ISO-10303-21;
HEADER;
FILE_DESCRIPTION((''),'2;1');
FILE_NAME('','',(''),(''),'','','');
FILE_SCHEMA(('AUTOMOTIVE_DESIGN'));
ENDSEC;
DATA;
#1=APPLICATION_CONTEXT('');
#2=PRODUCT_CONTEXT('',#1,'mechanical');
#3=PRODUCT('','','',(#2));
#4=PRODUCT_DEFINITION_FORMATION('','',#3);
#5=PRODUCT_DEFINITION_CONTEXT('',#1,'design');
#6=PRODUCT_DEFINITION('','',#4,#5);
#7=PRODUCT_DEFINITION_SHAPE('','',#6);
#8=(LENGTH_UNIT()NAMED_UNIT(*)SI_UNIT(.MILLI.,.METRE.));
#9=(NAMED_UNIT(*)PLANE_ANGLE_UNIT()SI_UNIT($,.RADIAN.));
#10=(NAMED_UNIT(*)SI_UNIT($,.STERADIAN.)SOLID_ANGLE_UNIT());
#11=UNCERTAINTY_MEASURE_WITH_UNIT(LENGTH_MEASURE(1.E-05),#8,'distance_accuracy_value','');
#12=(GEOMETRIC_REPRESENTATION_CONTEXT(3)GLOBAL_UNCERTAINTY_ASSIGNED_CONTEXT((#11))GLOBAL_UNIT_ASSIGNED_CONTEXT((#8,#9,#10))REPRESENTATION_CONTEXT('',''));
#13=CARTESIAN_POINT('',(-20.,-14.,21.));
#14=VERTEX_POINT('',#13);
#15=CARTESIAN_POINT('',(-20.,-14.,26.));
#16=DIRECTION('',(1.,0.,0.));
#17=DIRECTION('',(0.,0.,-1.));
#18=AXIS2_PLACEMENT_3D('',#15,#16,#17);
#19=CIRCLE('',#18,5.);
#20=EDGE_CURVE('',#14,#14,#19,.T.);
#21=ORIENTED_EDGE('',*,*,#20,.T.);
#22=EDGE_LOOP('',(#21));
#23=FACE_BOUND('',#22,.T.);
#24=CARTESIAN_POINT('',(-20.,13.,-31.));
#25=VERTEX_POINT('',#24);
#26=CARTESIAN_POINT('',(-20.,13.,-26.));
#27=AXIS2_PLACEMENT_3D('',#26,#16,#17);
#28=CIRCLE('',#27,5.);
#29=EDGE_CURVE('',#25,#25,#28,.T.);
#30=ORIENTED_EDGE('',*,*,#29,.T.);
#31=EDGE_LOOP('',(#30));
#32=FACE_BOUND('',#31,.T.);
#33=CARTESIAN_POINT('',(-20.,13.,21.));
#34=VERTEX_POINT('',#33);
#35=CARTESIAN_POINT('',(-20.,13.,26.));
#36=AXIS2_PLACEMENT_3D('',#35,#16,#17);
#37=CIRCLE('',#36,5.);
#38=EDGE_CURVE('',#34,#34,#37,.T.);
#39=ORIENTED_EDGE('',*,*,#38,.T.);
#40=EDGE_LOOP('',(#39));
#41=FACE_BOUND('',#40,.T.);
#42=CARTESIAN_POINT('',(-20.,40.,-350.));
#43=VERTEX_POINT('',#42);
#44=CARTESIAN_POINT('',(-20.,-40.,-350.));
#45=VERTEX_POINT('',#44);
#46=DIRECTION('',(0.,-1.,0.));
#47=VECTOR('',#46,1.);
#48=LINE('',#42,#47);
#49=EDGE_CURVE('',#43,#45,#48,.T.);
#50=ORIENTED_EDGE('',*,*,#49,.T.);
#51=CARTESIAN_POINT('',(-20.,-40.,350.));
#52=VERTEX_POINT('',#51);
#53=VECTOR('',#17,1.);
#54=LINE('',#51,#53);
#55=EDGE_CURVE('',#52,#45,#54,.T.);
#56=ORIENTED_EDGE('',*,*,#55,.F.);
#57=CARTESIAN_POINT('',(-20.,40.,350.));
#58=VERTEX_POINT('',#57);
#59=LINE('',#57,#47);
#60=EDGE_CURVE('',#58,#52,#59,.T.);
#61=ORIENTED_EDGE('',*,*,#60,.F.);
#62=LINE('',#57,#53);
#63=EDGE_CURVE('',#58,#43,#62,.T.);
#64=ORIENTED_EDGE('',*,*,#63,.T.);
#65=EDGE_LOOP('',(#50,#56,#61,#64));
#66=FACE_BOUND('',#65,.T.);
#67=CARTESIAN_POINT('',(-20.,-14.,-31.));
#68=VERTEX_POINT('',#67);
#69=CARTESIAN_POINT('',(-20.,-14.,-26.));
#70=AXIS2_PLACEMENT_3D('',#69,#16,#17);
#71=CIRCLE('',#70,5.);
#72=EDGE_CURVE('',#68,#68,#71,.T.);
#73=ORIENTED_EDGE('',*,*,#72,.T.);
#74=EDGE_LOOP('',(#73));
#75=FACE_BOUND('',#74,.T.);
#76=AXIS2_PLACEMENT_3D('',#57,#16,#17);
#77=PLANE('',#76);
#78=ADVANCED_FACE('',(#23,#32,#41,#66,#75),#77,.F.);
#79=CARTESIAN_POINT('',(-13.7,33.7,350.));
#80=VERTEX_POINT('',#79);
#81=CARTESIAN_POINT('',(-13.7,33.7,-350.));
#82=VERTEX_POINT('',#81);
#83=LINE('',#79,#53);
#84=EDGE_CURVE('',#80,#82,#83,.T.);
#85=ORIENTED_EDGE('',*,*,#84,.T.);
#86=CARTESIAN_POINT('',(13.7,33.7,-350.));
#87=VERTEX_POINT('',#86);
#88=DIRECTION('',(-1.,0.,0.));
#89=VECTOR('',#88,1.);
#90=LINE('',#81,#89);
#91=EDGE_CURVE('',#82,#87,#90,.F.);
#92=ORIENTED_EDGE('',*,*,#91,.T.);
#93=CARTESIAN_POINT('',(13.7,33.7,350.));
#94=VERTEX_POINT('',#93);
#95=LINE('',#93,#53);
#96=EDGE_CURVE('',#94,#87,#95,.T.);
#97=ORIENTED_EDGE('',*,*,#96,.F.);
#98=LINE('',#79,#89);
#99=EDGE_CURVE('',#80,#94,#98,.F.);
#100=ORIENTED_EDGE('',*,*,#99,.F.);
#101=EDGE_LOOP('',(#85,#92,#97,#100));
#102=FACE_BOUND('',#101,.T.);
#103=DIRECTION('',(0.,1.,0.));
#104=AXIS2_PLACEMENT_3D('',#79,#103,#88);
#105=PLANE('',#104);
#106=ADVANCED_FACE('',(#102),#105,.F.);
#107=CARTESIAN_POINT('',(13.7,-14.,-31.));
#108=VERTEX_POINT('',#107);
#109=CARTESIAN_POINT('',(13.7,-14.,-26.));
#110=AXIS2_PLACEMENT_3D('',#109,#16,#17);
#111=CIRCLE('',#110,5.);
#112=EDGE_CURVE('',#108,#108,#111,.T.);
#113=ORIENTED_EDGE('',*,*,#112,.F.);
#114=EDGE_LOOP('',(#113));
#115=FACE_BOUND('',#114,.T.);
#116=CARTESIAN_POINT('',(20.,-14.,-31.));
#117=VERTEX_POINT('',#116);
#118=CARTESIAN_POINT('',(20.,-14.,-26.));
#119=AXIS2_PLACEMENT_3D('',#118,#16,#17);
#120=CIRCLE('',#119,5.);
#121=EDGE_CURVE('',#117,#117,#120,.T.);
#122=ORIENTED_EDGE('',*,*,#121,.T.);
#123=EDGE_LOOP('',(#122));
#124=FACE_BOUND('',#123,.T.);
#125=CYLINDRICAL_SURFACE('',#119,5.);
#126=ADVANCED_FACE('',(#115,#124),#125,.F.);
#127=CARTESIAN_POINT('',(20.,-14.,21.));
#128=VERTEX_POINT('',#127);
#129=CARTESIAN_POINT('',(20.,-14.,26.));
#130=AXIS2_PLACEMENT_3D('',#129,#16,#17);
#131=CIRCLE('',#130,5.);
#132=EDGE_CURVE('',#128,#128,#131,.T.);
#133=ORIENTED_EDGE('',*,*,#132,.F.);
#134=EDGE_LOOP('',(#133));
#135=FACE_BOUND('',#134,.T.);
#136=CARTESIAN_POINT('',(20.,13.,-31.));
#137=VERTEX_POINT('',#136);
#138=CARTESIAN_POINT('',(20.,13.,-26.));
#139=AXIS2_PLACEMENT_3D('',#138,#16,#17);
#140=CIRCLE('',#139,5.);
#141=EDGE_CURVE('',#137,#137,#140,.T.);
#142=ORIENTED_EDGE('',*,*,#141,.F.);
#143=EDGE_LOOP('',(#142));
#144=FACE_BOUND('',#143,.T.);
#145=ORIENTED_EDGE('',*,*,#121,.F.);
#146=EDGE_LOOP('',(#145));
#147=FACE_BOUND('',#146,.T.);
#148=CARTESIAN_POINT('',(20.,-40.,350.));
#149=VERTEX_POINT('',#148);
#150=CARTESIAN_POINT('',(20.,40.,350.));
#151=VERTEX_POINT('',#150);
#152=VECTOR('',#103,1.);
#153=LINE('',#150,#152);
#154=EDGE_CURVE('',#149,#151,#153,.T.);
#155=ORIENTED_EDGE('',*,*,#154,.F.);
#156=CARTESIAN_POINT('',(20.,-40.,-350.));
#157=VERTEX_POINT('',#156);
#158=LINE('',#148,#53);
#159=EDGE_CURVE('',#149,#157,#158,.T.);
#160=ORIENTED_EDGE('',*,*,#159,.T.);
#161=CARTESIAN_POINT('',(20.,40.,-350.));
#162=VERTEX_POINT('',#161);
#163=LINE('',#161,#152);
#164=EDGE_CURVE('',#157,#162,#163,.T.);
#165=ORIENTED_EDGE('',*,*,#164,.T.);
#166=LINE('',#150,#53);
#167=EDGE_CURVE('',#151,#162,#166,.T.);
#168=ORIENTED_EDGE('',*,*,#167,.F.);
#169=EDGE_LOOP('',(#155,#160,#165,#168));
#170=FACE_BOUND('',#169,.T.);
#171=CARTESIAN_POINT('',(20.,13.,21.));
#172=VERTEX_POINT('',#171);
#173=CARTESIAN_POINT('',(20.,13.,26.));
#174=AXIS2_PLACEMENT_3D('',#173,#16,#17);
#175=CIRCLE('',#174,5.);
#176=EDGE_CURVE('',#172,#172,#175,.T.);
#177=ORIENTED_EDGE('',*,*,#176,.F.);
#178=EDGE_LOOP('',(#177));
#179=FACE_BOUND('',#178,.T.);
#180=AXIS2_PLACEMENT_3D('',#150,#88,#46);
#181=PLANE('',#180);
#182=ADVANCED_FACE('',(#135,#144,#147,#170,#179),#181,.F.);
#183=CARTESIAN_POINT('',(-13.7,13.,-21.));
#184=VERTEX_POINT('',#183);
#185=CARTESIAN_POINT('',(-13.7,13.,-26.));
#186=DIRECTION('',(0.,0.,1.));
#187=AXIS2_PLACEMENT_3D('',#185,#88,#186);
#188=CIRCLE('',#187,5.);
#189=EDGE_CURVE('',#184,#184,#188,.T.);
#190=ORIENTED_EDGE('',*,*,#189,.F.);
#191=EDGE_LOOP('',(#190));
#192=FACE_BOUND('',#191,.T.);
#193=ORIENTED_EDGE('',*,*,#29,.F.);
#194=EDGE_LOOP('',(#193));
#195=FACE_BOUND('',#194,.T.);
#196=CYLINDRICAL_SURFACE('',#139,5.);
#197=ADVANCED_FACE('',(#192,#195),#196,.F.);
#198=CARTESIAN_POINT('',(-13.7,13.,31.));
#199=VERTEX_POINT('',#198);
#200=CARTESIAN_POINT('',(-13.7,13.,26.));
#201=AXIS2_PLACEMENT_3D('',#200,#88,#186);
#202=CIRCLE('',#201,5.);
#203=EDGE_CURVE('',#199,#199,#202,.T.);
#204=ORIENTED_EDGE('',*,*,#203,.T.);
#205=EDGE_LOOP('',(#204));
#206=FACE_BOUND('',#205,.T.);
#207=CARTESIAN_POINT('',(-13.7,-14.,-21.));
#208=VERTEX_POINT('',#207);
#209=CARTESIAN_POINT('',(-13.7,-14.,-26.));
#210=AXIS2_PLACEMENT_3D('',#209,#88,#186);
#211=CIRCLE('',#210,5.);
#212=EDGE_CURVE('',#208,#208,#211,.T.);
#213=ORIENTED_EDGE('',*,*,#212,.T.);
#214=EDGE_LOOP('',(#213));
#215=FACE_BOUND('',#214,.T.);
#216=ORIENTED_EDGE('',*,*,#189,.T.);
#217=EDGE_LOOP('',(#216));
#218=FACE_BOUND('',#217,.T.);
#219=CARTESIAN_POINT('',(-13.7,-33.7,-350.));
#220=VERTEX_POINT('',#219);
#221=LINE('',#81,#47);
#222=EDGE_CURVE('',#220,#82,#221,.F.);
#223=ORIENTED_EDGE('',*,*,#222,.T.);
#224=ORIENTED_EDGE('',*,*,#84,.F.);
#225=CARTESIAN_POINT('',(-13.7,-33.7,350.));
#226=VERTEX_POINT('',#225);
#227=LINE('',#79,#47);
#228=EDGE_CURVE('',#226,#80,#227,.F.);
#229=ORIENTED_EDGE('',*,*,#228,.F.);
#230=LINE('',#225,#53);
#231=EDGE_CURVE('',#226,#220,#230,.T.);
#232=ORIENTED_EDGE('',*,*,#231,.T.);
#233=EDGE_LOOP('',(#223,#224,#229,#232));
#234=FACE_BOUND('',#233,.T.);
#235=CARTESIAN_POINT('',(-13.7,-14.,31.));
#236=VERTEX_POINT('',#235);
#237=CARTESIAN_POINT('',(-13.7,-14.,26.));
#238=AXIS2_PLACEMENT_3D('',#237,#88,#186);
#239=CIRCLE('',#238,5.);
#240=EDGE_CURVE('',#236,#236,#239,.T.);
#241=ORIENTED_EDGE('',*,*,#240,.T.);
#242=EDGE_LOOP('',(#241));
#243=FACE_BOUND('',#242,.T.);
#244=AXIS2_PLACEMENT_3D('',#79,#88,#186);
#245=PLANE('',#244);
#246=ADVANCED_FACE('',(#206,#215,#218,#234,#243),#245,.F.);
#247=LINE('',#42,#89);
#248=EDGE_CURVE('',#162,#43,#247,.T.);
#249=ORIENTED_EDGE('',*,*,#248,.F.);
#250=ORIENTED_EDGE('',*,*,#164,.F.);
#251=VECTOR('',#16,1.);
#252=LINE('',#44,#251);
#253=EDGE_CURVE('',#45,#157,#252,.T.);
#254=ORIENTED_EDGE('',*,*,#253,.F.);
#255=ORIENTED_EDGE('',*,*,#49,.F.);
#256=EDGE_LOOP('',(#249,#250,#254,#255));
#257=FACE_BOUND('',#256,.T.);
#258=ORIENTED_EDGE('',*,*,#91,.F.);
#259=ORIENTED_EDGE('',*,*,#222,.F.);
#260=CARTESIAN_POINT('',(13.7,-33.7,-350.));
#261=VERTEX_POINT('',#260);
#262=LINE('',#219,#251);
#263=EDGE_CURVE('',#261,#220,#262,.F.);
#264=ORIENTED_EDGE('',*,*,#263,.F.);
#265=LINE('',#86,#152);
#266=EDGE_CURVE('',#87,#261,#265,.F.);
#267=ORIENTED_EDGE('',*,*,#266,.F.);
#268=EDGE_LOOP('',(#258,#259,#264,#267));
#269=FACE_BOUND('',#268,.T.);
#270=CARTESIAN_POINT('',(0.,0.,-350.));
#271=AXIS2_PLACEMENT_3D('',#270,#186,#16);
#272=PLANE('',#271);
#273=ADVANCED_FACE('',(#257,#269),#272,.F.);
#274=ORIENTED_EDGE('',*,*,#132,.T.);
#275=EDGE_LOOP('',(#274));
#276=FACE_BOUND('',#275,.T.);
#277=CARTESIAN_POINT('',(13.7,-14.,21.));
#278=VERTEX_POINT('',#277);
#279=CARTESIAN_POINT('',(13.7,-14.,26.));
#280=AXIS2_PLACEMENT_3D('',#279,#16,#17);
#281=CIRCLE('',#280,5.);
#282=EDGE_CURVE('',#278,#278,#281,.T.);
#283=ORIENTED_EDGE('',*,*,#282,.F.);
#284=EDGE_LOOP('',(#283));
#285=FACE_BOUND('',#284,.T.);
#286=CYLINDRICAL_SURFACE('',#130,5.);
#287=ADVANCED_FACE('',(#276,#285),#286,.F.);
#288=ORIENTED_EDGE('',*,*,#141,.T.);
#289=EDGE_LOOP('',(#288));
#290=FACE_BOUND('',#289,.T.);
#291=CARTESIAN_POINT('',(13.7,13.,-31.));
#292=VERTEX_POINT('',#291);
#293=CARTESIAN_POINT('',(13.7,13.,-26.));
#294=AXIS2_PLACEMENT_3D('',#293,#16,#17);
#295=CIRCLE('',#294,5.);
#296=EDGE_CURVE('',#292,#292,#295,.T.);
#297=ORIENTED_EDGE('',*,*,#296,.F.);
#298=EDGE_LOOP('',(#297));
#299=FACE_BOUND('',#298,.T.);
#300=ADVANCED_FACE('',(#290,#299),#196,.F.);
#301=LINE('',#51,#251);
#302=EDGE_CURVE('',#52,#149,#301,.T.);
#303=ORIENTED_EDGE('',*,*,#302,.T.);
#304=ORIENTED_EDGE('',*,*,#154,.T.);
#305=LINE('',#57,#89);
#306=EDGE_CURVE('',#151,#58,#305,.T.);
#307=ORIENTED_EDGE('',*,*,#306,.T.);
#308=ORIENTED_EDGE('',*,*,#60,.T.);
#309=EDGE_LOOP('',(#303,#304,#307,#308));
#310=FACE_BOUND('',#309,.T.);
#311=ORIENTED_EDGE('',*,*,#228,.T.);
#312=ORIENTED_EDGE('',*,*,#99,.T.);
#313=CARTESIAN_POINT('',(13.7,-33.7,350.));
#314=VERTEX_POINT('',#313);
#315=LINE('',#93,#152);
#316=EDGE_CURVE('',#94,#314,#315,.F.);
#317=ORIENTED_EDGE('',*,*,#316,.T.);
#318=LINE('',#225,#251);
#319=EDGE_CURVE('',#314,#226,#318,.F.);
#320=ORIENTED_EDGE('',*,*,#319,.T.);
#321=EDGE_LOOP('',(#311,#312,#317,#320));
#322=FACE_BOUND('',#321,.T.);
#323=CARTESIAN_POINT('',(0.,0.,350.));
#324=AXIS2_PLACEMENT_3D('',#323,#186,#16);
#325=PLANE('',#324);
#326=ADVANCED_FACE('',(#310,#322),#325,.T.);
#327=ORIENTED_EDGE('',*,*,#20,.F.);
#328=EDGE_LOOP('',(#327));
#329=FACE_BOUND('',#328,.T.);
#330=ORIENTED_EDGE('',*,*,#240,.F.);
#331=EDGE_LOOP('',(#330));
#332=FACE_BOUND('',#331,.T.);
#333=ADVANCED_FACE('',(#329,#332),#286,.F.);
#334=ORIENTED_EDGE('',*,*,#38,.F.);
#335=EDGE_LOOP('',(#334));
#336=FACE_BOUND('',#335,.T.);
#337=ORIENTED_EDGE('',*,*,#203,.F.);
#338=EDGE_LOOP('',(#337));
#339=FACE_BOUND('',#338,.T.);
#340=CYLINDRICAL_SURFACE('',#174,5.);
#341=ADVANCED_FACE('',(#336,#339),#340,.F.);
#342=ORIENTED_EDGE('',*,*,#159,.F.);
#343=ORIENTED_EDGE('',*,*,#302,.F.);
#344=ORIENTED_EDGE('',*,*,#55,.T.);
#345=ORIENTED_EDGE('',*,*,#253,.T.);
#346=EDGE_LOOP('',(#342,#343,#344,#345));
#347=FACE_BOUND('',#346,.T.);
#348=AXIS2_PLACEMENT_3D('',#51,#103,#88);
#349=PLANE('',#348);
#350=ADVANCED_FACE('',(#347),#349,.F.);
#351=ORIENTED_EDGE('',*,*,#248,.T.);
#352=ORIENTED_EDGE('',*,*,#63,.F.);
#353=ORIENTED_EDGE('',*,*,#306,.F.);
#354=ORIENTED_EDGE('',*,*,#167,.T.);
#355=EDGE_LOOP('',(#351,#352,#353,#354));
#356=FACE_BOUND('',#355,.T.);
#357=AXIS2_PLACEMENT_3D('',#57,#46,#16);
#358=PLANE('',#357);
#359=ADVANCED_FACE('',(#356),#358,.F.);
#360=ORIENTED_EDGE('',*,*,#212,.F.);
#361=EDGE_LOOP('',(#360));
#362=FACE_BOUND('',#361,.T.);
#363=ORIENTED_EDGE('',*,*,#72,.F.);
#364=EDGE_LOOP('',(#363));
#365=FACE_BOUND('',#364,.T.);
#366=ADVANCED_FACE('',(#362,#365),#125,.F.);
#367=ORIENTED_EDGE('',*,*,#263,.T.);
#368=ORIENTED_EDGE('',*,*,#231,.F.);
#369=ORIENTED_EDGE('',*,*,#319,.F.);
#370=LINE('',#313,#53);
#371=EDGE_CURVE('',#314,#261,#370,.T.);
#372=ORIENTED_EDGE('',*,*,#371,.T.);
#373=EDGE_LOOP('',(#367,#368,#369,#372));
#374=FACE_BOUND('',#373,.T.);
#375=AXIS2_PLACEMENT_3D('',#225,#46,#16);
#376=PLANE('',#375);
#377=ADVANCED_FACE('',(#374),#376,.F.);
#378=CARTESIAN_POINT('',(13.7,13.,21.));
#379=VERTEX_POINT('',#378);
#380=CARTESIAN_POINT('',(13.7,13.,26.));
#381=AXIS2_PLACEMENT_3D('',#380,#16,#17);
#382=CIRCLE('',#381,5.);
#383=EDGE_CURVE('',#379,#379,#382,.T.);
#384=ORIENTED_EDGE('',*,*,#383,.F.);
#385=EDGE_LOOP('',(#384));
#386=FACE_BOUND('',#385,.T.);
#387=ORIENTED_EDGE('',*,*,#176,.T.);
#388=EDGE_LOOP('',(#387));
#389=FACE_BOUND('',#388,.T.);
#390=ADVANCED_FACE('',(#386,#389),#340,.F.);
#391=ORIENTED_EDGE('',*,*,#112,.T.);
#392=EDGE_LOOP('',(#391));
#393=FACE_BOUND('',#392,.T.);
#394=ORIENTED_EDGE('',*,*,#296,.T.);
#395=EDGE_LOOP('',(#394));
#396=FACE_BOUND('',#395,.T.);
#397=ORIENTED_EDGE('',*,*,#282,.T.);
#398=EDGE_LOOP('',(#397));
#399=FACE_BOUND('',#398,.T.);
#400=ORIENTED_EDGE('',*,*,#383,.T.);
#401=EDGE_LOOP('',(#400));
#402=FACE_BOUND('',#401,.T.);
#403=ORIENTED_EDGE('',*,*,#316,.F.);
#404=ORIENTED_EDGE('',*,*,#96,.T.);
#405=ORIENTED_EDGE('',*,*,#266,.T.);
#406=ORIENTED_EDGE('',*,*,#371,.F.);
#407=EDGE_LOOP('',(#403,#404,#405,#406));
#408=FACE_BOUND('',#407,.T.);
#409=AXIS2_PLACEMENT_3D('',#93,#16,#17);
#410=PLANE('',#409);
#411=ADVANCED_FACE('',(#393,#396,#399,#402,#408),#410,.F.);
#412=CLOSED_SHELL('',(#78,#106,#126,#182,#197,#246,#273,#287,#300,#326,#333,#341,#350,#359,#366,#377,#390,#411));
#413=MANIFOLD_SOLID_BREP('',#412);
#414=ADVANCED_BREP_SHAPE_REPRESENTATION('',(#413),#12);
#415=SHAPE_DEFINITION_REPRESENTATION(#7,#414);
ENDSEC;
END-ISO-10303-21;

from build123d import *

# Parameters (mm, degrees)
SKETCH1_W            = 40
SKETCH1_H            = 80
SKETCH1_W_2          = 27.4
SKETCH1_H_2          = 67.4
M8_CLEARANCE_HOLE1_D = 10


with BuildPart() as part:
    # Sweep1: sweep along a curve in space
    with BuildLine() as sweep1_path:
        add(Edge.make_bspline(
            [(0, 0, -350), (0, 0, 350)],
            knots=[0, 0, 1, 1], degree=1))
    # Sketch1 → Sweep1 (sweep)
    with BuildSketch(Plane.XY):
        Rectangle(SKETCH1_W, SKETCH1_H)
        Rectangle(SKETCH1_W_2, SKETCH1_H_2, mode=Mode.SUBTRACT)
    sweep(path=sweep1_path.line)

    # M8 Clearance Hole1 (through all)
    with Locations(Plane(origin=(20, 0, 0), x_dir=(0, 0, -1), z_dir=(1, 0, 0))):
        with Locations((26, 13), (26, -14)):
            m8_clearance_hole1 = Hole(M8_CLEARANCE_HOLE1_D / 2)

    # Mirror1: M8 Clearance Hole1 across plane
    add(m8_clearance_hole1.mirror(Plane.XY), mode=Mode.SUBTRACT)


solid = part.part
